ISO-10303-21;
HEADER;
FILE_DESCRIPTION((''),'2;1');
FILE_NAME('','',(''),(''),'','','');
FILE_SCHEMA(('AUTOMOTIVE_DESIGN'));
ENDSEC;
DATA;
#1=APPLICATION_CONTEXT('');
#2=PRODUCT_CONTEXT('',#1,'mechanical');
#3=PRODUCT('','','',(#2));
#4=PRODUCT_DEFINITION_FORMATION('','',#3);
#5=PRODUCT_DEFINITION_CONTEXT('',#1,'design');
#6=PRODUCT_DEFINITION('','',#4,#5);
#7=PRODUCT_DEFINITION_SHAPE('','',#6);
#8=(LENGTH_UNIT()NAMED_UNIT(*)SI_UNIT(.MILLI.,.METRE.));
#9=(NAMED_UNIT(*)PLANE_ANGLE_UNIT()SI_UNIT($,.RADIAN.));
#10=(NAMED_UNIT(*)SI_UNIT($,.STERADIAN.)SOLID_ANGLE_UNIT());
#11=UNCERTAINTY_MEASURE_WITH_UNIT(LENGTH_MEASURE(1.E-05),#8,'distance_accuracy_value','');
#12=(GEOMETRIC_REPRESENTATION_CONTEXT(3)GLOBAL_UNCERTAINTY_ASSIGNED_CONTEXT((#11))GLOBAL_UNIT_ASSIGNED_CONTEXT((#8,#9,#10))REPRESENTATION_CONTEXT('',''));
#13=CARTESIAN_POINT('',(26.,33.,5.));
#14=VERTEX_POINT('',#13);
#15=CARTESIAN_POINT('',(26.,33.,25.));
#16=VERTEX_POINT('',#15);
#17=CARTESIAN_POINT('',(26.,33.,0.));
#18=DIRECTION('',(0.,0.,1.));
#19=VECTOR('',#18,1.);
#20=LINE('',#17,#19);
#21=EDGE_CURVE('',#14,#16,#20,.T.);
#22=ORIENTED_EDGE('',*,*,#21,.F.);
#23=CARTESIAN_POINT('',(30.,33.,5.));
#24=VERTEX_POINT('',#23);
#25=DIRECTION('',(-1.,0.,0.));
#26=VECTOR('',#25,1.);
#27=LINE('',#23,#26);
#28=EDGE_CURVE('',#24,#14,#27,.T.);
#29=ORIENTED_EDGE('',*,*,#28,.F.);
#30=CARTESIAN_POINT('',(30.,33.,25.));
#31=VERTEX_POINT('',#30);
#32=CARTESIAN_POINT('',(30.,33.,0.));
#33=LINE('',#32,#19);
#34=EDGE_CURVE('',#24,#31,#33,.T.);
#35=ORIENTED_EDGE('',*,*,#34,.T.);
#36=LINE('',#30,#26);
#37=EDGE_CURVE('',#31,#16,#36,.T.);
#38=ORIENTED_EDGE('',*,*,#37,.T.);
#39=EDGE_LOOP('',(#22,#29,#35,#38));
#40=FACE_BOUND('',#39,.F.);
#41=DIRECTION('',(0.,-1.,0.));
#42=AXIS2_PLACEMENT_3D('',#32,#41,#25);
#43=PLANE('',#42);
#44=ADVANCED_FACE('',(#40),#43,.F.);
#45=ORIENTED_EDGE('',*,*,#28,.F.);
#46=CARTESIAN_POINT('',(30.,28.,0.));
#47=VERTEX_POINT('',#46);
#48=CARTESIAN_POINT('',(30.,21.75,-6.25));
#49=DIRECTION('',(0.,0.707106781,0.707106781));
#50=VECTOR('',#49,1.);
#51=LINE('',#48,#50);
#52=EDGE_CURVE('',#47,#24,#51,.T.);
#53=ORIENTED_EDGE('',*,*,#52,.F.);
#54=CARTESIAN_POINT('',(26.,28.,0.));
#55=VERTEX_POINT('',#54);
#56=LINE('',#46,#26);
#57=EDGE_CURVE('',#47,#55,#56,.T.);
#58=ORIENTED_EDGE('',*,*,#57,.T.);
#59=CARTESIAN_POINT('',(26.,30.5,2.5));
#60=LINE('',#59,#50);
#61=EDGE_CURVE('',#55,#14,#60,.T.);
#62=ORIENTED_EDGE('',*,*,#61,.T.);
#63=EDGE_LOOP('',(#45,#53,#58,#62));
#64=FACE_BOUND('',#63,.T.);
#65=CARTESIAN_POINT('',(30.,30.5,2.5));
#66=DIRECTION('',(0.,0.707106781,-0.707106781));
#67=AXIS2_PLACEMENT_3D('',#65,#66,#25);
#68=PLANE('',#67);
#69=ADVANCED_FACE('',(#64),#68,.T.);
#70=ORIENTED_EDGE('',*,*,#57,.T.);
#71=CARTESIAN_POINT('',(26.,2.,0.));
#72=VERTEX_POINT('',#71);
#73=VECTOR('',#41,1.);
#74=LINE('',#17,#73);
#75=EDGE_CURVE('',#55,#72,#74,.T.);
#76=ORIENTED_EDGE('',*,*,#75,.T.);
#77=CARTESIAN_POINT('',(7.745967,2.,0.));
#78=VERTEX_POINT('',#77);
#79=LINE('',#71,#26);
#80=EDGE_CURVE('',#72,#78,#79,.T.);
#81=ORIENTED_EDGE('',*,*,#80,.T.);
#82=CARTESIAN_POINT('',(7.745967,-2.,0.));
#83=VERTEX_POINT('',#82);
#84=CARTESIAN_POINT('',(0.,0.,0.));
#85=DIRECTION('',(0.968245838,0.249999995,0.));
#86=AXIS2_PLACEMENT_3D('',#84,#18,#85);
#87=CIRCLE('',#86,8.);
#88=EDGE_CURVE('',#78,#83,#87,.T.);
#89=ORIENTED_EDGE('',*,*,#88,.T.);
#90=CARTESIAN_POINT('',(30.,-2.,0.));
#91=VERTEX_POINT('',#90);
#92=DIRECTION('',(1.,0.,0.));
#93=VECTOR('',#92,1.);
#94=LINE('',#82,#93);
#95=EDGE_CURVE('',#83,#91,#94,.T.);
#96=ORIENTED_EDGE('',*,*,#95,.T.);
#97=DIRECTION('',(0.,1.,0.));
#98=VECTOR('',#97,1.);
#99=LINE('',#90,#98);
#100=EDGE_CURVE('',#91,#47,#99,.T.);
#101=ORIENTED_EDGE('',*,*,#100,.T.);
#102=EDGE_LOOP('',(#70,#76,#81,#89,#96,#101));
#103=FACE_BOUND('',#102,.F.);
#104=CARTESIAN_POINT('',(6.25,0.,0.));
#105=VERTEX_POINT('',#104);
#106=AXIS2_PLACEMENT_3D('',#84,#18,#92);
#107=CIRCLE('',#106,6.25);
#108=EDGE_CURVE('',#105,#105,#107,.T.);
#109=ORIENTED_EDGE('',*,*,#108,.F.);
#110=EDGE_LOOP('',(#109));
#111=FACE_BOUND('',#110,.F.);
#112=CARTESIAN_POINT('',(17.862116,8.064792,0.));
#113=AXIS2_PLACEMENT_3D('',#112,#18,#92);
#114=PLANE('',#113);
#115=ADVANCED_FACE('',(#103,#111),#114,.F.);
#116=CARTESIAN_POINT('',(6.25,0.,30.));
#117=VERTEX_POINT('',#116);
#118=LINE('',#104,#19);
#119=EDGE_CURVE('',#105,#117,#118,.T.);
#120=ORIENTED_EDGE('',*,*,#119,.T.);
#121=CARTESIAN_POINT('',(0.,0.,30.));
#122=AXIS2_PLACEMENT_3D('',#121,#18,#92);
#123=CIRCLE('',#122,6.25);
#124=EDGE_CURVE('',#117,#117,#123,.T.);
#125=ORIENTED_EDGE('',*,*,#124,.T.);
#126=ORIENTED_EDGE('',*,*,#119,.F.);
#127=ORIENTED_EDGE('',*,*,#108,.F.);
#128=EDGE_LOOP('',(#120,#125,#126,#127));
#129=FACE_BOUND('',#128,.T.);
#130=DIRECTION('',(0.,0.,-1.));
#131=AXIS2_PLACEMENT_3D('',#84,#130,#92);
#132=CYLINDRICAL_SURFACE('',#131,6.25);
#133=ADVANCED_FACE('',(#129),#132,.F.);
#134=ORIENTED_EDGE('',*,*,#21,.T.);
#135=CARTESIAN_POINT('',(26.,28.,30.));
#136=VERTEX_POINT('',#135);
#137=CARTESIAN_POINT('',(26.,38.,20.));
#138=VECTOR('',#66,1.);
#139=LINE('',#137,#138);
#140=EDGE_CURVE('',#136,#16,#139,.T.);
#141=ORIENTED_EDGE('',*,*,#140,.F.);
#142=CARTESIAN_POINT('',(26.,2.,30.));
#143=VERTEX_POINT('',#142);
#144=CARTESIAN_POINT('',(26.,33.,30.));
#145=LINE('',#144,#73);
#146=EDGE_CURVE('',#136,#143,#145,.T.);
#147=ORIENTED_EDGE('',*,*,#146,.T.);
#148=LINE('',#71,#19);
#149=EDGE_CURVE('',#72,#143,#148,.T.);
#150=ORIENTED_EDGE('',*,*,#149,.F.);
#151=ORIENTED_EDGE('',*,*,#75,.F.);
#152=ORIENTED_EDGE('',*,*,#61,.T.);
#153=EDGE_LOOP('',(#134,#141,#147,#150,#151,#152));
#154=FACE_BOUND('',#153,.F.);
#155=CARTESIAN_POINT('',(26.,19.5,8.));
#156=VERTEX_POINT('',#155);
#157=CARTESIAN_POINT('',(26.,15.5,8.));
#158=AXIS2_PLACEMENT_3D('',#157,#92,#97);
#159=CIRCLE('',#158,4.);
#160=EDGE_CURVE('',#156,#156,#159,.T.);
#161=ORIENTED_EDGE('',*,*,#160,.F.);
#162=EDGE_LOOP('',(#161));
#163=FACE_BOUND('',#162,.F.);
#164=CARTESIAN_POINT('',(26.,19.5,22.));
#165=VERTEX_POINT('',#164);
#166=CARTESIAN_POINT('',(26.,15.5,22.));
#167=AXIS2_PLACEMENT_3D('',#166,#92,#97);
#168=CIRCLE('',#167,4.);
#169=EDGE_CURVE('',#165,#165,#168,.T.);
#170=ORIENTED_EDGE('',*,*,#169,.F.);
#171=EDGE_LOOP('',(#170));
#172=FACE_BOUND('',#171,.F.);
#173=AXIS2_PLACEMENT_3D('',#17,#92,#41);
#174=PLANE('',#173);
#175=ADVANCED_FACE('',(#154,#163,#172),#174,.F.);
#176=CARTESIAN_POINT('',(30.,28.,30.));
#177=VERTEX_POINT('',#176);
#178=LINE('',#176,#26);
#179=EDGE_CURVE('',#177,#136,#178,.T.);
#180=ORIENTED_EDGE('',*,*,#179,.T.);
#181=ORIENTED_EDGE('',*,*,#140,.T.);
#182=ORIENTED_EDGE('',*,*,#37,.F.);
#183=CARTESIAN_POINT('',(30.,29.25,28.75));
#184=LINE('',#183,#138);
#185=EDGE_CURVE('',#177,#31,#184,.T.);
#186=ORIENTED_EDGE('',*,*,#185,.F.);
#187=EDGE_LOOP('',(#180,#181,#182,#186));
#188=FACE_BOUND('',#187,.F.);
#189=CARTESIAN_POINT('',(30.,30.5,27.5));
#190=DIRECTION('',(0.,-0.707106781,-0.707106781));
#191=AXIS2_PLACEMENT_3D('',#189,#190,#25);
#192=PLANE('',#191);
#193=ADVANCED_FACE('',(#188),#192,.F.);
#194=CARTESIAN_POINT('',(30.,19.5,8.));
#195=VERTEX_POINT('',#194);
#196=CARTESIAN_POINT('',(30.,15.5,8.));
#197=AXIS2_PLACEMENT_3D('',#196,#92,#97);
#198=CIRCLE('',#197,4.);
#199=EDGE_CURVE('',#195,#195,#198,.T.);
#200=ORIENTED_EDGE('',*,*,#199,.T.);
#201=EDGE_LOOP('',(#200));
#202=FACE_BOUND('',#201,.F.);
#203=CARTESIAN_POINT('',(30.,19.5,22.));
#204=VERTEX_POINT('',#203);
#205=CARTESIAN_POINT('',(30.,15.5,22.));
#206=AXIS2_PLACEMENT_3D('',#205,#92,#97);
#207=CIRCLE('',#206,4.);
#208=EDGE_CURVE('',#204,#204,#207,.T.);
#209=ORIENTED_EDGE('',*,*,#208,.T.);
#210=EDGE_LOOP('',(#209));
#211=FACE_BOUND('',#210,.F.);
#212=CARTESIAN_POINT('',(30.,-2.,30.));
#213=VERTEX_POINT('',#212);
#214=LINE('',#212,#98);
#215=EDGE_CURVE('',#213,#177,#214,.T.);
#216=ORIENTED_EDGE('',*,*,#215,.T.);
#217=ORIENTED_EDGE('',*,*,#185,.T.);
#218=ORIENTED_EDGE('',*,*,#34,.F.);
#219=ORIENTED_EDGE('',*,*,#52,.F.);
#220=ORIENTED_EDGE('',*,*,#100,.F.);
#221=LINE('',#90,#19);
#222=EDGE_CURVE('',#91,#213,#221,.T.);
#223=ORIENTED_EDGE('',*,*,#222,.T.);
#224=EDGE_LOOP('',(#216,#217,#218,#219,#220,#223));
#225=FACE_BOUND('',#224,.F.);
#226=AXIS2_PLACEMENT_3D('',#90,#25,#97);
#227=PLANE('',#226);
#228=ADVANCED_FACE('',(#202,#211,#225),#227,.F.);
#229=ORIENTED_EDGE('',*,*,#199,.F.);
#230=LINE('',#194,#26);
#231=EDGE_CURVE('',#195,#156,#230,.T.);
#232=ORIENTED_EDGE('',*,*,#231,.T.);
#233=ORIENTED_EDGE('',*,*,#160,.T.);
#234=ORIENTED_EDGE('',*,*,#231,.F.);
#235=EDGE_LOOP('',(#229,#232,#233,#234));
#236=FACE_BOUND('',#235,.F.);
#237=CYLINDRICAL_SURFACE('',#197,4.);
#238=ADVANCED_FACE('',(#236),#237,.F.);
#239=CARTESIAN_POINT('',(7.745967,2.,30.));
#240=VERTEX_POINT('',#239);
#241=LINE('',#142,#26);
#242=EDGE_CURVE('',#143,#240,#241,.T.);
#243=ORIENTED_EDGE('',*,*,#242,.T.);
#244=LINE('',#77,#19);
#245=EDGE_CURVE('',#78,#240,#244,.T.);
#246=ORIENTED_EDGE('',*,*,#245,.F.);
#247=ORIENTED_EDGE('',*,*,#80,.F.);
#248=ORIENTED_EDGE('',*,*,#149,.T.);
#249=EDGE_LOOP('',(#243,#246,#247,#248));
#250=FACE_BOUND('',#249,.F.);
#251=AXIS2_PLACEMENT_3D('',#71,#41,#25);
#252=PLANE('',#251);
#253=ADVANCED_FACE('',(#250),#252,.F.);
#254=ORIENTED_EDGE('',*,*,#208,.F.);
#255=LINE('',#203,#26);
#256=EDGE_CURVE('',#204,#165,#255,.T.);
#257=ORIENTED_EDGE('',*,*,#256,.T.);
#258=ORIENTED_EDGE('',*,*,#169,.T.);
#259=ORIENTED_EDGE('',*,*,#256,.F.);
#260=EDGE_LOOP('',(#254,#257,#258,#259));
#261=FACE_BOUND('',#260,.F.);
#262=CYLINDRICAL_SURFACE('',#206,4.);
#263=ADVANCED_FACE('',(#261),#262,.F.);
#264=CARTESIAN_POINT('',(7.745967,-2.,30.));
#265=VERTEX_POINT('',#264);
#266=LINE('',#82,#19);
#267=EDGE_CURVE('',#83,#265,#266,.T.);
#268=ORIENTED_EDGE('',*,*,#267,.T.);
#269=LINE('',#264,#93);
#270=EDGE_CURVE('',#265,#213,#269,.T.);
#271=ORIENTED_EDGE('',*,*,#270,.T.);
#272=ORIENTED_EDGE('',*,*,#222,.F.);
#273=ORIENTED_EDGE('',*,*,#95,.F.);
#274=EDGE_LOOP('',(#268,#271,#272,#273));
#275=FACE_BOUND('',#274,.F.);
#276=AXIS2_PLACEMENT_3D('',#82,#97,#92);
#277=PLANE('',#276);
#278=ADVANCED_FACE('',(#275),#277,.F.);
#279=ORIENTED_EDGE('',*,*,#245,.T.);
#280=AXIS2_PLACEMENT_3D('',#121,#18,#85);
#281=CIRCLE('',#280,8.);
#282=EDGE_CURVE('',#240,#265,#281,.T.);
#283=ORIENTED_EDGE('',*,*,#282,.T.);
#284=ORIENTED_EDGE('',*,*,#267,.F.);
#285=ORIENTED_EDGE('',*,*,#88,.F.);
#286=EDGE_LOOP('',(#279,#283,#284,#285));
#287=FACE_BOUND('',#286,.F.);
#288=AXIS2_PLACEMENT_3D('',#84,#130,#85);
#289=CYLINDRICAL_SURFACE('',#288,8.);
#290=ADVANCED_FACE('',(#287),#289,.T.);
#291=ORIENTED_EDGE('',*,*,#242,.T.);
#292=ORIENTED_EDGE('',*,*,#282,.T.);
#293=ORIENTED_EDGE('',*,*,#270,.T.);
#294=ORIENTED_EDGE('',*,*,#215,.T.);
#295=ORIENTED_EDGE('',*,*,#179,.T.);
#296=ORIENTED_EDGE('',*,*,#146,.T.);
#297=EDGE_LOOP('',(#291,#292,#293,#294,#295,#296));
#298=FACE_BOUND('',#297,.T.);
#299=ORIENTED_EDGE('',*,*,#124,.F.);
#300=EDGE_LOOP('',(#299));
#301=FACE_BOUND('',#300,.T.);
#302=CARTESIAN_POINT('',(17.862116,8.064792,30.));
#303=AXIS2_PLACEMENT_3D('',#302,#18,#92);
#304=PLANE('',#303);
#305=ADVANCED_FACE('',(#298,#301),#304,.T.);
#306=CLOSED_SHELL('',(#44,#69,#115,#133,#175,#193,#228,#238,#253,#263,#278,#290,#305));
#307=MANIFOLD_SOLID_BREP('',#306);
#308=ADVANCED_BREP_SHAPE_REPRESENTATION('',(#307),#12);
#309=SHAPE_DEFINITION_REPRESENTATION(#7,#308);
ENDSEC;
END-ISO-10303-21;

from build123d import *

# Parameters (mm, degrees)
F0_R     = 6.25
F1_DEPTH = 30
F2_R     = 4
F3_DEPTH = 38.001
F4_SIZE  = 5


with BuildPart() as f1:
    # F0 (on Top) → F1 (new body)
    with BuildSketch(Plane.XY):
        with BuildLine():
            Line((26, 2), (7.745967, 2))
            ThreePointArc((7.745967, 2), (-8, 0), (7.745967, -2))
            Line((7.745967, -2), (26, -2))
            Line((26, -2), (30, -2))
            Line((30, -2), (30, 2))
            Line((30, 2), (30, 33))
            Line((30, 33), (26, 33))
            Line((26, 33), (26, 2))
        make_face()
        Circle(F0_R, mode=Mode.SUBTRACT)
    extrude(amount=F1_DEPTH)

    # F2 (on face) → F3 (cut, through all)
    with BuildSketch(Plane.YZ.offset(30)):
        with Locations((15.5, 22)):
            Circle(F2_R)
        with Locations((15.5, 8)):
            Circle(F2_R)
    extrude(amount=-F3_DEPTH, mode=Mode.SUBTRACT)

    # F4
    f4_edges = [f1.edges().sort_by_distance(p)[0] for p in [
        (28, 33, 30),
        (28, 33, 0),
    ]]
    chamfer(f4_edges, length=F4_SIZE)


solid = f1.part
